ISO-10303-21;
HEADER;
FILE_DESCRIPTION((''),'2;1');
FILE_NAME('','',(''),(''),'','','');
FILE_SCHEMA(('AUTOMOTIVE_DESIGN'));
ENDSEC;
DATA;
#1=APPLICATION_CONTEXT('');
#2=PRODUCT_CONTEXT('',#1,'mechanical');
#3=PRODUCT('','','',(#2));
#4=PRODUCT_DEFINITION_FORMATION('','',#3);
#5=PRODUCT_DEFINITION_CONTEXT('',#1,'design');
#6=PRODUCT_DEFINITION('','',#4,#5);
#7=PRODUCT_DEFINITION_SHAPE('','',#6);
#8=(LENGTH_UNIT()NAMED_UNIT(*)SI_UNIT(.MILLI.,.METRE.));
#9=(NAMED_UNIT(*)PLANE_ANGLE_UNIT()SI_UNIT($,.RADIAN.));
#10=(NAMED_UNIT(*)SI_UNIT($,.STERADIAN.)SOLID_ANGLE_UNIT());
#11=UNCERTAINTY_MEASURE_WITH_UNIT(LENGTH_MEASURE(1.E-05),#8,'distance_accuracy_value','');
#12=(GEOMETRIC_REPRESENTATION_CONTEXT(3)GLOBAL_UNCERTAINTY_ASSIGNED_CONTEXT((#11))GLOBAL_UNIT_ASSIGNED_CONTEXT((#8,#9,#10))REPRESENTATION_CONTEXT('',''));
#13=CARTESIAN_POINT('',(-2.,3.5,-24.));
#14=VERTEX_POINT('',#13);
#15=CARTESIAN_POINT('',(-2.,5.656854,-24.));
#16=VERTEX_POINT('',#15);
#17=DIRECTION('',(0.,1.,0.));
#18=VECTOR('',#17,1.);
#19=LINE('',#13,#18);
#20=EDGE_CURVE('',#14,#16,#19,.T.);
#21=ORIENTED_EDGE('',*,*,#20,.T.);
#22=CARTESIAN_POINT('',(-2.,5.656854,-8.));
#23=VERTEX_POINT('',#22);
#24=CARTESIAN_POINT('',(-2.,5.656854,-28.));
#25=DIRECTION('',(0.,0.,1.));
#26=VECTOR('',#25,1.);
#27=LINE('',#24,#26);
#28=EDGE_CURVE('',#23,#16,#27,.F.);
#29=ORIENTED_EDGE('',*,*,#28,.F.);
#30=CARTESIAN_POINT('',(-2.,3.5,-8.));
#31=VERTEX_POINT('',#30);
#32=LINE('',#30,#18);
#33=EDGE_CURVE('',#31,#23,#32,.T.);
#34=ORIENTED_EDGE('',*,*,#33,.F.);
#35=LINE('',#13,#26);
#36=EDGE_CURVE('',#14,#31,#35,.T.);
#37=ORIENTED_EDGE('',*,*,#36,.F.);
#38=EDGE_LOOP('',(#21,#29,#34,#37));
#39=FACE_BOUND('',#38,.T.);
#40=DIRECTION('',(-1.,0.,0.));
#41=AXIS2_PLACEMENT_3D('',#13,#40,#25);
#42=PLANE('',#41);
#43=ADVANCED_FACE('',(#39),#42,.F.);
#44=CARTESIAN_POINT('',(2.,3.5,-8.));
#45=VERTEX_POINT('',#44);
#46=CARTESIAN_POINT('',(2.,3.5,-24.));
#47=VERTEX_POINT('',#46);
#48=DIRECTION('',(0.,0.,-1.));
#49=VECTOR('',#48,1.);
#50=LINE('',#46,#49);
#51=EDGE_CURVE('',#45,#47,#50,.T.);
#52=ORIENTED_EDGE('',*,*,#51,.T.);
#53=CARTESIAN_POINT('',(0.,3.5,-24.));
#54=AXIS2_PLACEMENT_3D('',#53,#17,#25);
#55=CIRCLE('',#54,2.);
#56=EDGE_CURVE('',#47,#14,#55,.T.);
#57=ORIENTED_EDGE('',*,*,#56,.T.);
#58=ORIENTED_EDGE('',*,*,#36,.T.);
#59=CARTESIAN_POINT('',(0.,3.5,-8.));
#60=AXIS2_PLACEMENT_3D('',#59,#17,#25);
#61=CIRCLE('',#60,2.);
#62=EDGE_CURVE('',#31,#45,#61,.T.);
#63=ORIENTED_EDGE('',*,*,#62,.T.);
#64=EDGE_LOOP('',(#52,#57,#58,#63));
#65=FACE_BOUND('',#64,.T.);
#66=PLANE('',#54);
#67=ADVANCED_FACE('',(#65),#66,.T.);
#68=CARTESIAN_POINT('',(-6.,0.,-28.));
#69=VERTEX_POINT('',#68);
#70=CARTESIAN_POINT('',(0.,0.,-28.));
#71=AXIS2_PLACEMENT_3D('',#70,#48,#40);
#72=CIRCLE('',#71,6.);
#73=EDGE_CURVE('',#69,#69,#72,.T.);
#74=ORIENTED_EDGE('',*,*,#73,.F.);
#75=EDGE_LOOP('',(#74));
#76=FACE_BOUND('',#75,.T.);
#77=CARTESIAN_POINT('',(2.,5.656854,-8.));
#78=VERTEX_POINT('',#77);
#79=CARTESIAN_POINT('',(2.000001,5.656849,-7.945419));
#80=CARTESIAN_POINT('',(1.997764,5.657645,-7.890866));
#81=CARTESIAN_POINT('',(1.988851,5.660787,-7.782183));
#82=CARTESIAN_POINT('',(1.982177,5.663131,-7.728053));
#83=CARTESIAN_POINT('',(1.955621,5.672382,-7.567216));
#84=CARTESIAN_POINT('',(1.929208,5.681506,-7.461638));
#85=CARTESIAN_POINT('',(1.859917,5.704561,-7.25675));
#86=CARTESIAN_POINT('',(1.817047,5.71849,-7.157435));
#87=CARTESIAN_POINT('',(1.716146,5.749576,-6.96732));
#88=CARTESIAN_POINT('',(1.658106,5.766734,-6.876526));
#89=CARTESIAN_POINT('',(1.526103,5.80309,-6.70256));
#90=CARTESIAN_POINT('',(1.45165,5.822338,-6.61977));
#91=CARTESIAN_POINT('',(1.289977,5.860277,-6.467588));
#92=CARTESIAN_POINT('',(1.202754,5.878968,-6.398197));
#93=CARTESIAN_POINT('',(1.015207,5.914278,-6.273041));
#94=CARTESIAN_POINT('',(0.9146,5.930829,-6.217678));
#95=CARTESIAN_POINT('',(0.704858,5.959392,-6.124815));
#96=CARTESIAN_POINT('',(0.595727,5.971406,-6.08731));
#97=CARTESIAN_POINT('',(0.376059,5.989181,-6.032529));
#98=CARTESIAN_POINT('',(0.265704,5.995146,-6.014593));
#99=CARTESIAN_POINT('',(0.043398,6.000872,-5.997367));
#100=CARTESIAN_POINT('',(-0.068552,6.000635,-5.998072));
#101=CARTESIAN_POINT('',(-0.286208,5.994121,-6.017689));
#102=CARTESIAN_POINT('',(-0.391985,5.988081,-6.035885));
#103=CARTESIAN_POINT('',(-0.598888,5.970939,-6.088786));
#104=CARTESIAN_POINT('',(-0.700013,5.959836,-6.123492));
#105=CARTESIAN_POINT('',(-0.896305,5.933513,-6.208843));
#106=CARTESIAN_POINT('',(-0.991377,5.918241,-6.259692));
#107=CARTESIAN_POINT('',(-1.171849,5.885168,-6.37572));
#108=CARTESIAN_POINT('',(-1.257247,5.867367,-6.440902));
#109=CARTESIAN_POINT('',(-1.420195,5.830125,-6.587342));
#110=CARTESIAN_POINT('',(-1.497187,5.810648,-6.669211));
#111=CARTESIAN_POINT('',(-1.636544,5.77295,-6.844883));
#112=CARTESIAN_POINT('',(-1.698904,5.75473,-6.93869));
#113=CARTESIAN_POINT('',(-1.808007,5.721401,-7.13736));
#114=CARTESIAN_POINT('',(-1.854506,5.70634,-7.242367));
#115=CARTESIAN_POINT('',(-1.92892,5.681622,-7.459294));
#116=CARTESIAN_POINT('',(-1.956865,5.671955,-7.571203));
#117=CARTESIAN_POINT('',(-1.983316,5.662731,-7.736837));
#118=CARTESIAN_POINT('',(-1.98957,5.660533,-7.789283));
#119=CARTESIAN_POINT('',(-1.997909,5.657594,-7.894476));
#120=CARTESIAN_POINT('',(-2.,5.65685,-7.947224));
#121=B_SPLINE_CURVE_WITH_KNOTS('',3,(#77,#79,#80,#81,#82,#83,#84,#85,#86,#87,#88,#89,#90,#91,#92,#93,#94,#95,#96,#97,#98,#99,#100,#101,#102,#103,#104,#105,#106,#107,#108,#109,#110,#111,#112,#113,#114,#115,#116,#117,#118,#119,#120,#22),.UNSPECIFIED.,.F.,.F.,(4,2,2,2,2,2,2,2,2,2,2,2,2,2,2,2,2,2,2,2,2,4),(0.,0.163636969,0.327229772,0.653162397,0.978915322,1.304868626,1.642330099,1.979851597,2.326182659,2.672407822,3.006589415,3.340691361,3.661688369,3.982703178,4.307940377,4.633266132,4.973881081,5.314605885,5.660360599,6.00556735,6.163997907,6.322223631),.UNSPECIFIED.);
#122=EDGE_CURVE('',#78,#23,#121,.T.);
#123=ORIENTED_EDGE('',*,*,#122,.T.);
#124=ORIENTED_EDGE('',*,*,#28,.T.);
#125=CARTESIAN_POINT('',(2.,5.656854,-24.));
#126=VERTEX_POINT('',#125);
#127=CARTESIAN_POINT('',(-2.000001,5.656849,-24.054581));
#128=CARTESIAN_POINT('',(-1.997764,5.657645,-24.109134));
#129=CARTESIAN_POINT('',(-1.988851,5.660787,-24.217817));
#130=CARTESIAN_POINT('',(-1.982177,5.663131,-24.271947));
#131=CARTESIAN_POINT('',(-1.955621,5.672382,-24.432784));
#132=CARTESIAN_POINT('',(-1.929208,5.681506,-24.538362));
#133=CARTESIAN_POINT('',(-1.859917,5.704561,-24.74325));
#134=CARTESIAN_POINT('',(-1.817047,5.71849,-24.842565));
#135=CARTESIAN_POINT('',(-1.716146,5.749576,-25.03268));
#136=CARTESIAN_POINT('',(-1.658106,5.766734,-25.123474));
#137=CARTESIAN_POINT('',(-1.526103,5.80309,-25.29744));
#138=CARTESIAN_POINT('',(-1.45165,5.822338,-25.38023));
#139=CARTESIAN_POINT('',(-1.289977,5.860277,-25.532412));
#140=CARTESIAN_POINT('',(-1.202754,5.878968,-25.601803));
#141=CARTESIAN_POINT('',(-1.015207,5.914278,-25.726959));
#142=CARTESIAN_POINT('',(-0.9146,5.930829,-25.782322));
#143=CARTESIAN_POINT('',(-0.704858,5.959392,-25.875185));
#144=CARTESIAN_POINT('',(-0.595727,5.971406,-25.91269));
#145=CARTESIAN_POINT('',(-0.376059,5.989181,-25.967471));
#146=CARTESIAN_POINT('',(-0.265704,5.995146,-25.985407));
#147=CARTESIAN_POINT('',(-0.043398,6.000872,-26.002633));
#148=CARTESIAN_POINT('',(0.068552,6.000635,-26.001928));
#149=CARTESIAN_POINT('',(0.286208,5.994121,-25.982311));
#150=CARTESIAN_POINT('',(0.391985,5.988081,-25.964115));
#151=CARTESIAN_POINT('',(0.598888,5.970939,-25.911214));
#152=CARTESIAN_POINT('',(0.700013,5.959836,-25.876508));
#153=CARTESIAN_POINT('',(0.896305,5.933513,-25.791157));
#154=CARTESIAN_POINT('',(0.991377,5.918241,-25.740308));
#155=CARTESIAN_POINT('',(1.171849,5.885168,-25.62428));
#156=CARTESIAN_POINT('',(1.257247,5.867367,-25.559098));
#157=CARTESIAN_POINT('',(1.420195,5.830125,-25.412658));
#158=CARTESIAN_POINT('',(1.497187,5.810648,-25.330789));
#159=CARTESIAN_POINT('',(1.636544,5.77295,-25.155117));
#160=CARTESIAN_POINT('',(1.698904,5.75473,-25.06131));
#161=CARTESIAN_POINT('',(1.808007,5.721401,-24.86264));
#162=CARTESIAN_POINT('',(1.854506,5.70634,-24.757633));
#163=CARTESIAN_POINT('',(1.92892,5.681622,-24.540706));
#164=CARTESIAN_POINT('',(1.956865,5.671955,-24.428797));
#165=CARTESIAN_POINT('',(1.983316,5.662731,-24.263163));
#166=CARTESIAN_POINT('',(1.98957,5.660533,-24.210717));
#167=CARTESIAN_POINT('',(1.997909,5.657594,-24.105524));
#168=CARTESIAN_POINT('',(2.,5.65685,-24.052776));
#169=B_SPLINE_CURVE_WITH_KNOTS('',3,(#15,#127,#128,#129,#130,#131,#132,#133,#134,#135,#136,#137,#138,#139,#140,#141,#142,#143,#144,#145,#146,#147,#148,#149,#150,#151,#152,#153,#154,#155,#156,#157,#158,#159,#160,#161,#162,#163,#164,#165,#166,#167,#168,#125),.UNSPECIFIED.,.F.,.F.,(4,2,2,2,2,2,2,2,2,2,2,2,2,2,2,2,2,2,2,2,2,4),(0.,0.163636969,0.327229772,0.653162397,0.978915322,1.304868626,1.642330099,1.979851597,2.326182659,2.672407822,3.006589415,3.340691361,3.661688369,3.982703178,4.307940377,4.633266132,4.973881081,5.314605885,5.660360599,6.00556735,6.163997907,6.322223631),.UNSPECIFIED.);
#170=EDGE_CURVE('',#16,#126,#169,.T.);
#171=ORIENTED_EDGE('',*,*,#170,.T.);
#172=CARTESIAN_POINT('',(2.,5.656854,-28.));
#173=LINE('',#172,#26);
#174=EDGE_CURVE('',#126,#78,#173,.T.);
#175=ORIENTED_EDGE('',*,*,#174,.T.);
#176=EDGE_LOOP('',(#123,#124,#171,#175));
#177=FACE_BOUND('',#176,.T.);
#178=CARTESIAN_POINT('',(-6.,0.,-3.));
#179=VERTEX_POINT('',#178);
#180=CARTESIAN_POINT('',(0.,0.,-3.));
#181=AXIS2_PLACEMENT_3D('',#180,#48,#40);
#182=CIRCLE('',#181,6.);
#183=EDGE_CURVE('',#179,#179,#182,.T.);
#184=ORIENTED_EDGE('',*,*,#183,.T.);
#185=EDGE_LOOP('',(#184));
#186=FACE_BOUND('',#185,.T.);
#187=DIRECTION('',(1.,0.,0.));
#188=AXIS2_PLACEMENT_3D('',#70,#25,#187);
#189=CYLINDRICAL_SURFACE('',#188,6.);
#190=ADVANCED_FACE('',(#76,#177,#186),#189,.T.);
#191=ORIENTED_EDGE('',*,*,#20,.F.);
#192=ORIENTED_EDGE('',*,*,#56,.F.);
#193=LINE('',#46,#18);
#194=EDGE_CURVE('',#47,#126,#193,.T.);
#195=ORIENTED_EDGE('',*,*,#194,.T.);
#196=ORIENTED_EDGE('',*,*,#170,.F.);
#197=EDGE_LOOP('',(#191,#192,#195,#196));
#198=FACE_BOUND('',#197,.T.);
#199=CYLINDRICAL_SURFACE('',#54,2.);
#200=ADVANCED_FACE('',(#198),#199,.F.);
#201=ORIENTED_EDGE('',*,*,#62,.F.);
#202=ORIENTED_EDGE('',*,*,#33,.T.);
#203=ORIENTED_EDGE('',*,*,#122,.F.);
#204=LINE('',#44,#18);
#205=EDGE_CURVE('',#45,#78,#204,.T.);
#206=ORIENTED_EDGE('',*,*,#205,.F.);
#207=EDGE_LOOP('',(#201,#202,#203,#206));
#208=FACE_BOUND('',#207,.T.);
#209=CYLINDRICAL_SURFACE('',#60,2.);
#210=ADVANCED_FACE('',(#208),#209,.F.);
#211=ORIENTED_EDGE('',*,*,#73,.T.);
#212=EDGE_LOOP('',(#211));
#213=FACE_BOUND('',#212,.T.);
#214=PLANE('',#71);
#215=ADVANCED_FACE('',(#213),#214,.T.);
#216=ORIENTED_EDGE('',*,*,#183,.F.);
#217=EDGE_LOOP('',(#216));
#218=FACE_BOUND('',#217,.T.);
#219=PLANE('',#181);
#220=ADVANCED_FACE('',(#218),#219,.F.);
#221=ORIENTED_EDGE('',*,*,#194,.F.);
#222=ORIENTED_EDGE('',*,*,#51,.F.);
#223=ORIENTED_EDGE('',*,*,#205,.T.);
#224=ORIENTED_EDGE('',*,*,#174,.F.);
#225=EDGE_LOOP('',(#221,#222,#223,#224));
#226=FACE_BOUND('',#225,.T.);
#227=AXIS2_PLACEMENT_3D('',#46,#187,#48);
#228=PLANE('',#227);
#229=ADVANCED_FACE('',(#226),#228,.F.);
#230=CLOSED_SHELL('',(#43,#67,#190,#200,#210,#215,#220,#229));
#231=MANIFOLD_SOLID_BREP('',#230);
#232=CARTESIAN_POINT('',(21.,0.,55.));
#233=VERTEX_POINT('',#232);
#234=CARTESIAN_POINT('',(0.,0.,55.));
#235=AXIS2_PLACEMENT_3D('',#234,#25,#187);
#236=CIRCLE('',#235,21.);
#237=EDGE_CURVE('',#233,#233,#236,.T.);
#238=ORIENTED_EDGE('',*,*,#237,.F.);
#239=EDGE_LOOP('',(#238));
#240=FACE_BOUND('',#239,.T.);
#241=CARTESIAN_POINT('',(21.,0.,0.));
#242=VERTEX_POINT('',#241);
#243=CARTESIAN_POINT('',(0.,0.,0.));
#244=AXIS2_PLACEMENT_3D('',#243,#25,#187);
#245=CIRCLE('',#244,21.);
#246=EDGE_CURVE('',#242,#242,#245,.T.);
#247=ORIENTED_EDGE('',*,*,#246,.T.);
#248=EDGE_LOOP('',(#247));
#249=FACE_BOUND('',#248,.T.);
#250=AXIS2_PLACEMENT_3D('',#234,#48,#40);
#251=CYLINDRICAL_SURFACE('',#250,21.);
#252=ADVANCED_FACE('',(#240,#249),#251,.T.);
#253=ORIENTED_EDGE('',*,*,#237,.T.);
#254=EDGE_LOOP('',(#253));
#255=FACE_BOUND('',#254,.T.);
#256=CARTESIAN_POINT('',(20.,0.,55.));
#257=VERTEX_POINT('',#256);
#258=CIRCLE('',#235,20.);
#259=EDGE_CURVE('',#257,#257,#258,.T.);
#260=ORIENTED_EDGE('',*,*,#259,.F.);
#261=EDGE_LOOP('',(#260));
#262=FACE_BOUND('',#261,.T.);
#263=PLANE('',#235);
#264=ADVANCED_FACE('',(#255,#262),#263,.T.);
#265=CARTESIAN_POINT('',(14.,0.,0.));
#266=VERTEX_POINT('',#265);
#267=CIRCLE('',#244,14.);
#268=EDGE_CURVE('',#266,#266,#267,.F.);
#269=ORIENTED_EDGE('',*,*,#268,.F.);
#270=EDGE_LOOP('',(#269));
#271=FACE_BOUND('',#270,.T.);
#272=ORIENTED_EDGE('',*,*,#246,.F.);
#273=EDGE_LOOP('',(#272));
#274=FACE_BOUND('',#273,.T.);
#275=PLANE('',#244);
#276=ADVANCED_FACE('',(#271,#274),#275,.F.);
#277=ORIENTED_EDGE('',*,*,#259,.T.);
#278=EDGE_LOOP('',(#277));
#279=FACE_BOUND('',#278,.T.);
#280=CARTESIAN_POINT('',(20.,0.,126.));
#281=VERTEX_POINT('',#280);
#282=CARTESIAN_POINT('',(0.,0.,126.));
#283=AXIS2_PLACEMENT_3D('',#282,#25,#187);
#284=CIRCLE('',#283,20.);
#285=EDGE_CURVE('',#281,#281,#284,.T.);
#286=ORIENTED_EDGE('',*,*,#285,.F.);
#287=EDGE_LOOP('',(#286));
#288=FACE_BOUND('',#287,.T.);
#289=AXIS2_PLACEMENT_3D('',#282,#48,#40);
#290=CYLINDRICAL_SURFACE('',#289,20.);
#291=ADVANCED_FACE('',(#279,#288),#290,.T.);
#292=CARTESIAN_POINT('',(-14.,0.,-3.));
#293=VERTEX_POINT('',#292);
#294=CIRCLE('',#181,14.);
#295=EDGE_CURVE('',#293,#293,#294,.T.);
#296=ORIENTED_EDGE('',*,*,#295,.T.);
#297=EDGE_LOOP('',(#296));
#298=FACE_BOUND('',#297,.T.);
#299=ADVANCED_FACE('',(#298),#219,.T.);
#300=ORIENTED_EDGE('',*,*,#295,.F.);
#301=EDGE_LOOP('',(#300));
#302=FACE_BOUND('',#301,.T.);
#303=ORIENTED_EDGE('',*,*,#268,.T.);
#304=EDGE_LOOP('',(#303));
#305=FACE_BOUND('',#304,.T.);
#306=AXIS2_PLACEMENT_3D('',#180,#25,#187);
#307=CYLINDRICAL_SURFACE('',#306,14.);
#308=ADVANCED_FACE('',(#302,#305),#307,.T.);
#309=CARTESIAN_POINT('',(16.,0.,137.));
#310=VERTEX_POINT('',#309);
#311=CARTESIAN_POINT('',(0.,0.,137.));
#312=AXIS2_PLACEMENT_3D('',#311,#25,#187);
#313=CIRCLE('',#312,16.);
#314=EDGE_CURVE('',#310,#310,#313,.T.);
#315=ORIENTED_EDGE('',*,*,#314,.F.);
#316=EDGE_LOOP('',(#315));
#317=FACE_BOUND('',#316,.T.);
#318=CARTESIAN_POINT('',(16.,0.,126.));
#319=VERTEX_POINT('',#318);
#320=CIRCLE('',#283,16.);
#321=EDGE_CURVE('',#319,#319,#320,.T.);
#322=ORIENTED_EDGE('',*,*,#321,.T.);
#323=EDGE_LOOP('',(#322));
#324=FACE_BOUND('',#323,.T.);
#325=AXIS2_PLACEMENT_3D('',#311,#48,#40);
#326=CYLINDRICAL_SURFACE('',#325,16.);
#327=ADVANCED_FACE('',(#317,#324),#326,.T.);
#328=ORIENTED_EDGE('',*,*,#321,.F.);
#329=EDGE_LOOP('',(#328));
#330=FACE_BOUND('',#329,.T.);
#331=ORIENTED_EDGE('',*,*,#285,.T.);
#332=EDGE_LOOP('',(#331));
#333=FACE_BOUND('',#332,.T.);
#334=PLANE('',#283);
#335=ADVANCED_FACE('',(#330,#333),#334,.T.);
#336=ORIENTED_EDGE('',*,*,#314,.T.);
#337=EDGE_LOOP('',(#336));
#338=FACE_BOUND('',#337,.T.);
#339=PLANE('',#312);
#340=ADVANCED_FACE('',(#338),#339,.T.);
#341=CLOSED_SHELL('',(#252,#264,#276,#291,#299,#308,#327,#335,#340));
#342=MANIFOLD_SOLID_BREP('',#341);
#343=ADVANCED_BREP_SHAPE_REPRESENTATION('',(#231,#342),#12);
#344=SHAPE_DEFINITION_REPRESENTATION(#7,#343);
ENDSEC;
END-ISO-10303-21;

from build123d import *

# Parameters (mm, degrees)
SKETCH_1_R          = 21
EXTRUDE_323_DEPTH   = 55
SKETCH_2_R          = 20
EXTRUDE_422_DEPTH   = 71
SKETCH_3_R          = 16
EXTRUDE_545_DEPTH   = 11
SKETCH_5_R          = 14
EXTRUDE_640_DEPTH   = 3
SKETCH_4_R          = 6
EXTRUDE_761_DEPTH   = 25
CUT_EXTRUDE_1_DEPTH = 2.5


with BuildPart() as part:
    # 草图1 → Extrude 323 (new body)
    with BuildSketch(Plane.XY):
        Circle(SKETCH_1_R)
    extrude(amount=EXTRUDE_323_DEPTH)

    # 草图2 → Extrude 422 (add)
    with BuildSketch(Plane.XY.offset(55)):
        Circle(SKETCH_2_R)
    extrude(amount=EXTRUDE_422_DEPTH)

    # 草图3 → Extrude 545 (add)
    with BuildSketch(Plane.XY.offset(126)):
        Circle(SKETCH_3_R)
    extrude(amount=EXTRUDE_545_DEPTH)

    # 草图5 → Extrude 640 (add)
    with BuildSketch(Plane(origin=(0, 0, 0), x_dir=(-1, 0, 0), z_dir=(0, 0, -1))):
        with Locations(Location((0, 0, 0), (0, 0, 180))):
            Circle(SKETCH_5_R)
    extrude(amount=EXTRUDE_640_DEPTH)


with BuildPart() as body_2:
    # 草图4 → Extrude 761 (new body)
    with BuildSketch(Plane(origin=(0, 0, -3), x_dir=(-1, 0, 0), z_dir=(0, 0, -1))):
        Circle(SKETCH_4_R)
    extrude(amount=EXTRUDE_761_DEPTH)

    # 草图6 → 切除-拉伸1 (cut)
    with BuildSketch(Plane(origin=(0, 6, 0), x_dir=(-1, 0, 0), z_dir=(0, 1, 0))):
        with BuildLine():
            Line((-2, -24), (-2, -8))
            ThreePointArc((-2, -8), (0, -6), (2, -8))
            Line((2, -8), (2, -24))
            ThreePointArc((2, -24), (0, -26), (-2, -24))
        make_face()
    extrude(amount=-CUT_EXTRUDE_1_DEPTH, mode=Mode.SUBTRACT)


solid = Compound([part.part, body_2.part])
